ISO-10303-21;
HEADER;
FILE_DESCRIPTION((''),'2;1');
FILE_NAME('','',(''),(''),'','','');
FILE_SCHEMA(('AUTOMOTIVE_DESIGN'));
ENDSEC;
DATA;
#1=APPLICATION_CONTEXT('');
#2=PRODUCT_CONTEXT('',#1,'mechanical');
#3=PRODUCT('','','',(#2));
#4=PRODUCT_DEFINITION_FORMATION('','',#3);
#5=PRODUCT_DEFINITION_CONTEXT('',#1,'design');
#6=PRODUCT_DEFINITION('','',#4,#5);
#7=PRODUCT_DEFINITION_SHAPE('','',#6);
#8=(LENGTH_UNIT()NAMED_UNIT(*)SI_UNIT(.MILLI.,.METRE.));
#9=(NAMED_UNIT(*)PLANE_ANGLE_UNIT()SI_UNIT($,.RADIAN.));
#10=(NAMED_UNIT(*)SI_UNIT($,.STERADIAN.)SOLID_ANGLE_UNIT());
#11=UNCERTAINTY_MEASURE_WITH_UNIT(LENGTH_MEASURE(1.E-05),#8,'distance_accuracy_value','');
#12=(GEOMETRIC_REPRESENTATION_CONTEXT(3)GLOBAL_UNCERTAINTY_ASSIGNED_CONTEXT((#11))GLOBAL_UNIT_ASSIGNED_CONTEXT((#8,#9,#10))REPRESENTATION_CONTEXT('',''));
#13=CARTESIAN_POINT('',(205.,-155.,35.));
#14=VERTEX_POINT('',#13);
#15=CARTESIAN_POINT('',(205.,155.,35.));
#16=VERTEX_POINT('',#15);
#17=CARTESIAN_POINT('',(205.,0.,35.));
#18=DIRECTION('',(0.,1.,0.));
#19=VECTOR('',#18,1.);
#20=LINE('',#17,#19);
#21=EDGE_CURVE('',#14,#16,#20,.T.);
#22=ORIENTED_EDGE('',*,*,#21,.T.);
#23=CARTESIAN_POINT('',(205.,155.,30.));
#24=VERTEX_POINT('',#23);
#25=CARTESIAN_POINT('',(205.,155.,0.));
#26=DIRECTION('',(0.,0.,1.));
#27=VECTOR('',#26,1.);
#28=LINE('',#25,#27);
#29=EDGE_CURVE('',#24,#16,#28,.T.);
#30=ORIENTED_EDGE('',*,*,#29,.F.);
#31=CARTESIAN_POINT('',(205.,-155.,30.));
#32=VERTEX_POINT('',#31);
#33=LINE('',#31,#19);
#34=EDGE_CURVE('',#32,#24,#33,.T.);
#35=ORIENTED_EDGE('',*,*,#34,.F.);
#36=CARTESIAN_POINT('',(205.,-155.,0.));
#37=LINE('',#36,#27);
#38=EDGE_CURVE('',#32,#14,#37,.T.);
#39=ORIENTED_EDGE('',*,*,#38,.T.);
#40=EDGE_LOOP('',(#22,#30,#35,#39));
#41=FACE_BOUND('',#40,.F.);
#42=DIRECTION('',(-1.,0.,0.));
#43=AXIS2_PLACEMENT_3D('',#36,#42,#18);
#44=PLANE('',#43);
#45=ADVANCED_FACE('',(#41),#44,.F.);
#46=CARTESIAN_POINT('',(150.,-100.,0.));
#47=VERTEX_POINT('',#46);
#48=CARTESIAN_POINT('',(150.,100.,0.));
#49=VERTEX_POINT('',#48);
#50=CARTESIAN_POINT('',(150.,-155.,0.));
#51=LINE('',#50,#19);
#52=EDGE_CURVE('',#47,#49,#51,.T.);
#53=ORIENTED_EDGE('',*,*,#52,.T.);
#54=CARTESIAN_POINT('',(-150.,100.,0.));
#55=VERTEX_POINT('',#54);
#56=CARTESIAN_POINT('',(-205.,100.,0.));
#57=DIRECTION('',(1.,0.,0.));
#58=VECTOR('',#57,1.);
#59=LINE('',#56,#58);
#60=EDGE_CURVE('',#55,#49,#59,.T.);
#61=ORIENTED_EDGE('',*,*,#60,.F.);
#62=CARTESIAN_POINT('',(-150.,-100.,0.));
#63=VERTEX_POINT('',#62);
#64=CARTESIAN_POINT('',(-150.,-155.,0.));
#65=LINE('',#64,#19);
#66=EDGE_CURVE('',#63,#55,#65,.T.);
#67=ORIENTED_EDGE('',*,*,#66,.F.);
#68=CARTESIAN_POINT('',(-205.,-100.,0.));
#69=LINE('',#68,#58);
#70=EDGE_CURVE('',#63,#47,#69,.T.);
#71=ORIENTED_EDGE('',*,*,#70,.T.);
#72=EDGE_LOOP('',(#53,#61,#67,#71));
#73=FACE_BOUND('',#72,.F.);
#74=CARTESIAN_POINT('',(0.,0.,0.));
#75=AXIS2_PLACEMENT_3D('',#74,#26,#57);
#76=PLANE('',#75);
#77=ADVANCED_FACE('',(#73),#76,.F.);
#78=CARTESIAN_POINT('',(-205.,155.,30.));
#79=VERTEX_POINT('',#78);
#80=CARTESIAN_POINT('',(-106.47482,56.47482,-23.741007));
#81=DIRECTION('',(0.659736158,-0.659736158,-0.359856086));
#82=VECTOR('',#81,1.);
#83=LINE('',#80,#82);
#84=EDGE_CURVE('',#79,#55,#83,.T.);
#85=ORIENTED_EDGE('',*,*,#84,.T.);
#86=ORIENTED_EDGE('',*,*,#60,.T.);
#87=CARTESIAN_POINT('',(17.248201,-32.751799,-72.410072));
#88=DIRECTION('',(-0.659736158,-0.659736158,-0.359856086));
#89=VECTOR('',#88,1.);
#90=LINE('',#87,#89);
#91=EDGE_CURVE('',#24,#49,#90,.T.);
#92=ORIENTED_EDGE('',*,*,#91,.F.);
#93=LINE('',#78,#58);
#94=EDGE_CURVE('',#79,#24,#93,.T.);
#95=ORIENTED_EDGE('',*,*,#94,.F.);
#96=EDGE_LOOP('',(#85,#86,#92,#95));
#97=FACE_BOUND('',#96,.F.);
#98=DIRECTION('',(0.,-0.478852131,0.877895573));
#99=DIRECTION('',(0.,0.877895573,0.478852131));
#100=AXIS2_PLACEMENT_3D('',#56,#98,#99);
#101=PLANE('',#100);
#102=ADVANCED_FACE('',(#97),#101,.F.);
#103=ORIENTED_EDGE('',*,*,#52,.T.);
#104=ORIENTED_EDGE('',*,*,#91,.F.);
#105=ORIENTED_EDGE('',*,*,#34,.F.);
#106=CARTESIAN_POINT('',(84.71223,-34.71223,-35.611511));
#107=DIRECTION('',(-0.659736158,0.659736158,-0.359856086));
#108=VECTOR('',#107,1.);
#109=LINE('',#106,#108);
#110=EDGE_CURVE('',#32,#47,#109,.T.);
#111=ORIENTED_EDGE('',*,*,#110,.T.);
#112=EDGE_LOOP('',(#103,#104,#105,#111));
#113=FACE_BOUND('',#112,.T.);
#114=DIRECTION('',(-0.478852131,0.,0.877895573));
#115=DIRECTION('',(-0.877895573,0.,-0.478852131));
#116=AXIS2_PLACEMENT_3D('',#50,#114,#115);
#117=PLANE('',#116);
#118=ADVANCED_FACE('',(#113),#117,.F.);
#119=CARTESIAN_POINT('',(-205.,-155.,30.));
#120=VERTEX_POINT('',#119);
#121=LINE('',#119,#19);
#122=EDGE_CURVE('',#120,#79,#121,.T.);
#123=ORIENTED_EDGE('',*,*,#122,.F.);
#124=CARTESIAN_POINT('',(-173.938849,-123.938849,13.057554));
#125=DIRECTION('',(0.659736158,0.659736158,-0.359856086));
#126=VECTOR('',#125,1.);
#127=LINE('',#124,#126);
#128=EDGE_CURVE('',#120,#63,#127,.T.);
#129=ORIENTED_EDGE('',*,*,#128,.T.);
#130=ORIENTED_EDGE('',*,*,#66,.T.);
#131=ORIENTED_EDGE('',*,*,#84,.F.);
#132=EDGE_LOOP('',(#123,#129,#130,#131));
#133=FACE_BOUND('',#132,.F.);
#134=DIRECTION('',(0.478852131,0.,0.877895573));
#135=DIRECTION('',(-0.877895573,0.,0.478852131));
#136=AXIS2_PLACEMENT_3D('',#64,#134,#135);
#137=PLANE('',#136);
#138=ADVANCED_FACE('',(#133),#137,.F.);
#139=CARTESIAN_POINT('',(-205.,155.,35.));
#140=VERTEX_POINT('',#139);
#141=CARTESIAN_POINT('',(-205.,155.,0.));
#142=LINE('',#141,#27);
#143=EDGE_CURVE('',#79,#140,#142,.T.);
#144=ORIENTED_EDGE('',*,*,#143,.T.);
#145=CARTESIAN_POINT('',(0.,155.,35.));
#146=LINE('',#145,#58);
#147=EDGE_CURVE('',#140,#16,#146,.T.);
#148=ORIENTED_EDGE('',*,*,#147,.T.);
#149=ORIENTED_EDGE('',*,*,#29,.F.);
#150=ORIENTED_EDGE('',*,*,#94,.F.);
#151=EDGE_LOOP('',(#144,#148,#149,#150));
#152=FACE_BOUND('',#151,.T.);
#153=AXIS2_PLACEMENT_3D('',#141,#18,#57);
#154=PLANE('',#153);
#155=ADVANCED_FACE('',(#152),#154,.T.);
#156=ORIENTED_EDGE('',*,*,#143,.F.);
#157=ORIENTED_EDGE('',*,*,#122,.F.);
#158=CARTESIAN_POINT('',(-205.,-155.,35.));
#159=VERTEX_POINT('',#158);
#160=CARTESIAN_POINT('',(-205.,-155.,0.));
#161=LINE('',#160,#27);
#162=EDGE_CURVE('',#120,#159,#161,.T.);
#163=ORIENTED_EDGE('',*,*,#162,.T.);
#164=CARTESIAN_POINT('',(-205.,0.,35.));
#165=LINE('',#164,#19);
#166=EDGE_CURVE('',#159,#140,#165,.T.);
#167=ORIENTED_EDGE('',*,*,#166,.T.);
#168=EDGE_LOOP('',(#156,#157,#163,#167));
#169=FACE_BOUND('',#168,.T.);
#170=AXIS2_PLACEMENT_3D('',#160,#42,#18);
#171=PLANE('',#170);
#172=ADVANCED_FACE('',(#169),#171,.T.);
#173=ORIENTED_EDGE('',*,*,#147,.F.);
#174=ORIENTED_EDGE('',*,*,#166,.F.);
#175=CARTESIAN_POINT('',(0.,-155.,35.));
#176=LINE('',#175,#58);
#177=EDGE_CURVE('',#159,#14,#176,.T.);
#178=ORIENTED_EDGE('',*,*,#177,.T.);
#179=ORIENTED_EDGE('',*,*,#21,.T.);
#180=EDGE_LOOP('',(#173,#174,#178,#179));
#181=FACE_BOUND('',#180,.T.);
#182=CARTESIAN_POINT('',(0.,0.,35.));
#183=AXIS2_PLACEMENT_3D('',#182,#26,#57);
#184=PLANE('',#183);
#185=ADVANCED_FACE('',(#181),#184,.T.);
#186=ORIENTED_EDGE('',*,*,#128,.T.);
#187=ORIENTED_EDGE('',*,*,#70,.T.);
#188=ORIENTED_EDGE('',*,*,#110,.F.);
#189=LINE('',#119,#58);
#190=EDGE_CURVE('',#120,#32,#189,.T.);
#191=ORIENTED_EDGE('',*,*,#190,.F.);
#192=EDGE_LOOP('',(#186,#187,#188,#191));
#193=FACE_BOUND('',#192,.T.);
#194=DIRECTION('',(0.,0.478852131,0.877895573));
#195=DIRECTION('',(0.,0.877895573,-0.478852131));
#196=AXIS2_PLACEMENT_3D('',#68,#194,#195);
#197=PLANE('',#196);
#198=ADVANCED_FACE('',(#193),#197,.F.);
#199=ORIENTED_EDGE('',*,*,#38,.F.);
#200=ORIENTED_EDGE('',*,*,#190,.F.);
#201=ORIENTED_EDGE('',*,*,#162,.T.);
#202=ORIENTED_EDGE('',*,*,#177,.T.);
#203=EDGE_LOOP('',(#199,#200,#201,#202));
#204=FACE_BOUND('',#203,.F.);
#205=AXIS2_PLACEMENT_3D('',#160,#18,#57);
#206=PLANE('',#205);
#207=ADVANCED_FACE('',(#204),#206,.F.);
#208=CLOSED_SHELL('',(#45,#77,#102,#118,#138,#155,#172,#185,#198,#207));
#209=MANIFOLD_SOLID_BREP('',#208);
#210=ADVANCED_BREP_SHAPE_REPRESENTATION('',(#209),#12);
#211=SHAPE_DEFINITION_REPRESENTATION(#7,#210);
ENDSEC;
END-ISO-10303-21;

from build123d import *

# Parameters (mm, degrees)
F0_W     = 410
F0_H     = 310
F1_DEPTH = 35
F3_DEPTH = 413
F7_DEPTH = 455


with BuildPart() as f1:
    # F0 (on Top) → F1 (new body)
    with BuildSketch(Plane.XY):
        Rectangle(F0_W, F0_H)
    extrude(amount=F1_DEPTH)


with BuildPart() as f3:
    # F2 (on face) → F3 (new body)
    with BuildSketch(Plane.XZ.offset(155)):
        Polygon((-186.286226, -45.123053), (-150, 0), (-205, 30), (-247.468904, 11.412853), align=None)
    extrude(amount=-F3_DEPTH)


with BuildPart() as f4_1:
    # F4: instance of F3
    add(f3.part.mirror(Plane.YZ))


with BuildPart() as f1_1:
    add(f1.part)

    # F5: cut F3, F4_1
    add(f3.part, mode=Mode.SUBTRACT)
    add(f4_1.part, mode=Mode.SUBTRACT)


with BuildPart() as f7:
    # F6 (on face) → F7 (new body)
    with BuildSketch(Plane(origin=(-205, 0, 0), x_dir=(0, -1, 0), z_dir=(-1, 0, 0))):
        Polygon((-155, -27.468236), (-100, 0), (-155, 30), (-189.205855, 15.520646), align=None)
    extrude(amount=-F7_DEPTH)


with BuildPart() as f8_1:
    # F8: instance of F7
    add(f7.part.mirror(Plane.XZ))


with BuildPart() as f1_2:
    add(f1_1.part)

    # F9: cut F7, F8_1
    add(f7.part, mode=Mode.SUBTRACT)
    add(f8_1.part, mode=Mode.SUBTRACT)


solid = f1_2.part
